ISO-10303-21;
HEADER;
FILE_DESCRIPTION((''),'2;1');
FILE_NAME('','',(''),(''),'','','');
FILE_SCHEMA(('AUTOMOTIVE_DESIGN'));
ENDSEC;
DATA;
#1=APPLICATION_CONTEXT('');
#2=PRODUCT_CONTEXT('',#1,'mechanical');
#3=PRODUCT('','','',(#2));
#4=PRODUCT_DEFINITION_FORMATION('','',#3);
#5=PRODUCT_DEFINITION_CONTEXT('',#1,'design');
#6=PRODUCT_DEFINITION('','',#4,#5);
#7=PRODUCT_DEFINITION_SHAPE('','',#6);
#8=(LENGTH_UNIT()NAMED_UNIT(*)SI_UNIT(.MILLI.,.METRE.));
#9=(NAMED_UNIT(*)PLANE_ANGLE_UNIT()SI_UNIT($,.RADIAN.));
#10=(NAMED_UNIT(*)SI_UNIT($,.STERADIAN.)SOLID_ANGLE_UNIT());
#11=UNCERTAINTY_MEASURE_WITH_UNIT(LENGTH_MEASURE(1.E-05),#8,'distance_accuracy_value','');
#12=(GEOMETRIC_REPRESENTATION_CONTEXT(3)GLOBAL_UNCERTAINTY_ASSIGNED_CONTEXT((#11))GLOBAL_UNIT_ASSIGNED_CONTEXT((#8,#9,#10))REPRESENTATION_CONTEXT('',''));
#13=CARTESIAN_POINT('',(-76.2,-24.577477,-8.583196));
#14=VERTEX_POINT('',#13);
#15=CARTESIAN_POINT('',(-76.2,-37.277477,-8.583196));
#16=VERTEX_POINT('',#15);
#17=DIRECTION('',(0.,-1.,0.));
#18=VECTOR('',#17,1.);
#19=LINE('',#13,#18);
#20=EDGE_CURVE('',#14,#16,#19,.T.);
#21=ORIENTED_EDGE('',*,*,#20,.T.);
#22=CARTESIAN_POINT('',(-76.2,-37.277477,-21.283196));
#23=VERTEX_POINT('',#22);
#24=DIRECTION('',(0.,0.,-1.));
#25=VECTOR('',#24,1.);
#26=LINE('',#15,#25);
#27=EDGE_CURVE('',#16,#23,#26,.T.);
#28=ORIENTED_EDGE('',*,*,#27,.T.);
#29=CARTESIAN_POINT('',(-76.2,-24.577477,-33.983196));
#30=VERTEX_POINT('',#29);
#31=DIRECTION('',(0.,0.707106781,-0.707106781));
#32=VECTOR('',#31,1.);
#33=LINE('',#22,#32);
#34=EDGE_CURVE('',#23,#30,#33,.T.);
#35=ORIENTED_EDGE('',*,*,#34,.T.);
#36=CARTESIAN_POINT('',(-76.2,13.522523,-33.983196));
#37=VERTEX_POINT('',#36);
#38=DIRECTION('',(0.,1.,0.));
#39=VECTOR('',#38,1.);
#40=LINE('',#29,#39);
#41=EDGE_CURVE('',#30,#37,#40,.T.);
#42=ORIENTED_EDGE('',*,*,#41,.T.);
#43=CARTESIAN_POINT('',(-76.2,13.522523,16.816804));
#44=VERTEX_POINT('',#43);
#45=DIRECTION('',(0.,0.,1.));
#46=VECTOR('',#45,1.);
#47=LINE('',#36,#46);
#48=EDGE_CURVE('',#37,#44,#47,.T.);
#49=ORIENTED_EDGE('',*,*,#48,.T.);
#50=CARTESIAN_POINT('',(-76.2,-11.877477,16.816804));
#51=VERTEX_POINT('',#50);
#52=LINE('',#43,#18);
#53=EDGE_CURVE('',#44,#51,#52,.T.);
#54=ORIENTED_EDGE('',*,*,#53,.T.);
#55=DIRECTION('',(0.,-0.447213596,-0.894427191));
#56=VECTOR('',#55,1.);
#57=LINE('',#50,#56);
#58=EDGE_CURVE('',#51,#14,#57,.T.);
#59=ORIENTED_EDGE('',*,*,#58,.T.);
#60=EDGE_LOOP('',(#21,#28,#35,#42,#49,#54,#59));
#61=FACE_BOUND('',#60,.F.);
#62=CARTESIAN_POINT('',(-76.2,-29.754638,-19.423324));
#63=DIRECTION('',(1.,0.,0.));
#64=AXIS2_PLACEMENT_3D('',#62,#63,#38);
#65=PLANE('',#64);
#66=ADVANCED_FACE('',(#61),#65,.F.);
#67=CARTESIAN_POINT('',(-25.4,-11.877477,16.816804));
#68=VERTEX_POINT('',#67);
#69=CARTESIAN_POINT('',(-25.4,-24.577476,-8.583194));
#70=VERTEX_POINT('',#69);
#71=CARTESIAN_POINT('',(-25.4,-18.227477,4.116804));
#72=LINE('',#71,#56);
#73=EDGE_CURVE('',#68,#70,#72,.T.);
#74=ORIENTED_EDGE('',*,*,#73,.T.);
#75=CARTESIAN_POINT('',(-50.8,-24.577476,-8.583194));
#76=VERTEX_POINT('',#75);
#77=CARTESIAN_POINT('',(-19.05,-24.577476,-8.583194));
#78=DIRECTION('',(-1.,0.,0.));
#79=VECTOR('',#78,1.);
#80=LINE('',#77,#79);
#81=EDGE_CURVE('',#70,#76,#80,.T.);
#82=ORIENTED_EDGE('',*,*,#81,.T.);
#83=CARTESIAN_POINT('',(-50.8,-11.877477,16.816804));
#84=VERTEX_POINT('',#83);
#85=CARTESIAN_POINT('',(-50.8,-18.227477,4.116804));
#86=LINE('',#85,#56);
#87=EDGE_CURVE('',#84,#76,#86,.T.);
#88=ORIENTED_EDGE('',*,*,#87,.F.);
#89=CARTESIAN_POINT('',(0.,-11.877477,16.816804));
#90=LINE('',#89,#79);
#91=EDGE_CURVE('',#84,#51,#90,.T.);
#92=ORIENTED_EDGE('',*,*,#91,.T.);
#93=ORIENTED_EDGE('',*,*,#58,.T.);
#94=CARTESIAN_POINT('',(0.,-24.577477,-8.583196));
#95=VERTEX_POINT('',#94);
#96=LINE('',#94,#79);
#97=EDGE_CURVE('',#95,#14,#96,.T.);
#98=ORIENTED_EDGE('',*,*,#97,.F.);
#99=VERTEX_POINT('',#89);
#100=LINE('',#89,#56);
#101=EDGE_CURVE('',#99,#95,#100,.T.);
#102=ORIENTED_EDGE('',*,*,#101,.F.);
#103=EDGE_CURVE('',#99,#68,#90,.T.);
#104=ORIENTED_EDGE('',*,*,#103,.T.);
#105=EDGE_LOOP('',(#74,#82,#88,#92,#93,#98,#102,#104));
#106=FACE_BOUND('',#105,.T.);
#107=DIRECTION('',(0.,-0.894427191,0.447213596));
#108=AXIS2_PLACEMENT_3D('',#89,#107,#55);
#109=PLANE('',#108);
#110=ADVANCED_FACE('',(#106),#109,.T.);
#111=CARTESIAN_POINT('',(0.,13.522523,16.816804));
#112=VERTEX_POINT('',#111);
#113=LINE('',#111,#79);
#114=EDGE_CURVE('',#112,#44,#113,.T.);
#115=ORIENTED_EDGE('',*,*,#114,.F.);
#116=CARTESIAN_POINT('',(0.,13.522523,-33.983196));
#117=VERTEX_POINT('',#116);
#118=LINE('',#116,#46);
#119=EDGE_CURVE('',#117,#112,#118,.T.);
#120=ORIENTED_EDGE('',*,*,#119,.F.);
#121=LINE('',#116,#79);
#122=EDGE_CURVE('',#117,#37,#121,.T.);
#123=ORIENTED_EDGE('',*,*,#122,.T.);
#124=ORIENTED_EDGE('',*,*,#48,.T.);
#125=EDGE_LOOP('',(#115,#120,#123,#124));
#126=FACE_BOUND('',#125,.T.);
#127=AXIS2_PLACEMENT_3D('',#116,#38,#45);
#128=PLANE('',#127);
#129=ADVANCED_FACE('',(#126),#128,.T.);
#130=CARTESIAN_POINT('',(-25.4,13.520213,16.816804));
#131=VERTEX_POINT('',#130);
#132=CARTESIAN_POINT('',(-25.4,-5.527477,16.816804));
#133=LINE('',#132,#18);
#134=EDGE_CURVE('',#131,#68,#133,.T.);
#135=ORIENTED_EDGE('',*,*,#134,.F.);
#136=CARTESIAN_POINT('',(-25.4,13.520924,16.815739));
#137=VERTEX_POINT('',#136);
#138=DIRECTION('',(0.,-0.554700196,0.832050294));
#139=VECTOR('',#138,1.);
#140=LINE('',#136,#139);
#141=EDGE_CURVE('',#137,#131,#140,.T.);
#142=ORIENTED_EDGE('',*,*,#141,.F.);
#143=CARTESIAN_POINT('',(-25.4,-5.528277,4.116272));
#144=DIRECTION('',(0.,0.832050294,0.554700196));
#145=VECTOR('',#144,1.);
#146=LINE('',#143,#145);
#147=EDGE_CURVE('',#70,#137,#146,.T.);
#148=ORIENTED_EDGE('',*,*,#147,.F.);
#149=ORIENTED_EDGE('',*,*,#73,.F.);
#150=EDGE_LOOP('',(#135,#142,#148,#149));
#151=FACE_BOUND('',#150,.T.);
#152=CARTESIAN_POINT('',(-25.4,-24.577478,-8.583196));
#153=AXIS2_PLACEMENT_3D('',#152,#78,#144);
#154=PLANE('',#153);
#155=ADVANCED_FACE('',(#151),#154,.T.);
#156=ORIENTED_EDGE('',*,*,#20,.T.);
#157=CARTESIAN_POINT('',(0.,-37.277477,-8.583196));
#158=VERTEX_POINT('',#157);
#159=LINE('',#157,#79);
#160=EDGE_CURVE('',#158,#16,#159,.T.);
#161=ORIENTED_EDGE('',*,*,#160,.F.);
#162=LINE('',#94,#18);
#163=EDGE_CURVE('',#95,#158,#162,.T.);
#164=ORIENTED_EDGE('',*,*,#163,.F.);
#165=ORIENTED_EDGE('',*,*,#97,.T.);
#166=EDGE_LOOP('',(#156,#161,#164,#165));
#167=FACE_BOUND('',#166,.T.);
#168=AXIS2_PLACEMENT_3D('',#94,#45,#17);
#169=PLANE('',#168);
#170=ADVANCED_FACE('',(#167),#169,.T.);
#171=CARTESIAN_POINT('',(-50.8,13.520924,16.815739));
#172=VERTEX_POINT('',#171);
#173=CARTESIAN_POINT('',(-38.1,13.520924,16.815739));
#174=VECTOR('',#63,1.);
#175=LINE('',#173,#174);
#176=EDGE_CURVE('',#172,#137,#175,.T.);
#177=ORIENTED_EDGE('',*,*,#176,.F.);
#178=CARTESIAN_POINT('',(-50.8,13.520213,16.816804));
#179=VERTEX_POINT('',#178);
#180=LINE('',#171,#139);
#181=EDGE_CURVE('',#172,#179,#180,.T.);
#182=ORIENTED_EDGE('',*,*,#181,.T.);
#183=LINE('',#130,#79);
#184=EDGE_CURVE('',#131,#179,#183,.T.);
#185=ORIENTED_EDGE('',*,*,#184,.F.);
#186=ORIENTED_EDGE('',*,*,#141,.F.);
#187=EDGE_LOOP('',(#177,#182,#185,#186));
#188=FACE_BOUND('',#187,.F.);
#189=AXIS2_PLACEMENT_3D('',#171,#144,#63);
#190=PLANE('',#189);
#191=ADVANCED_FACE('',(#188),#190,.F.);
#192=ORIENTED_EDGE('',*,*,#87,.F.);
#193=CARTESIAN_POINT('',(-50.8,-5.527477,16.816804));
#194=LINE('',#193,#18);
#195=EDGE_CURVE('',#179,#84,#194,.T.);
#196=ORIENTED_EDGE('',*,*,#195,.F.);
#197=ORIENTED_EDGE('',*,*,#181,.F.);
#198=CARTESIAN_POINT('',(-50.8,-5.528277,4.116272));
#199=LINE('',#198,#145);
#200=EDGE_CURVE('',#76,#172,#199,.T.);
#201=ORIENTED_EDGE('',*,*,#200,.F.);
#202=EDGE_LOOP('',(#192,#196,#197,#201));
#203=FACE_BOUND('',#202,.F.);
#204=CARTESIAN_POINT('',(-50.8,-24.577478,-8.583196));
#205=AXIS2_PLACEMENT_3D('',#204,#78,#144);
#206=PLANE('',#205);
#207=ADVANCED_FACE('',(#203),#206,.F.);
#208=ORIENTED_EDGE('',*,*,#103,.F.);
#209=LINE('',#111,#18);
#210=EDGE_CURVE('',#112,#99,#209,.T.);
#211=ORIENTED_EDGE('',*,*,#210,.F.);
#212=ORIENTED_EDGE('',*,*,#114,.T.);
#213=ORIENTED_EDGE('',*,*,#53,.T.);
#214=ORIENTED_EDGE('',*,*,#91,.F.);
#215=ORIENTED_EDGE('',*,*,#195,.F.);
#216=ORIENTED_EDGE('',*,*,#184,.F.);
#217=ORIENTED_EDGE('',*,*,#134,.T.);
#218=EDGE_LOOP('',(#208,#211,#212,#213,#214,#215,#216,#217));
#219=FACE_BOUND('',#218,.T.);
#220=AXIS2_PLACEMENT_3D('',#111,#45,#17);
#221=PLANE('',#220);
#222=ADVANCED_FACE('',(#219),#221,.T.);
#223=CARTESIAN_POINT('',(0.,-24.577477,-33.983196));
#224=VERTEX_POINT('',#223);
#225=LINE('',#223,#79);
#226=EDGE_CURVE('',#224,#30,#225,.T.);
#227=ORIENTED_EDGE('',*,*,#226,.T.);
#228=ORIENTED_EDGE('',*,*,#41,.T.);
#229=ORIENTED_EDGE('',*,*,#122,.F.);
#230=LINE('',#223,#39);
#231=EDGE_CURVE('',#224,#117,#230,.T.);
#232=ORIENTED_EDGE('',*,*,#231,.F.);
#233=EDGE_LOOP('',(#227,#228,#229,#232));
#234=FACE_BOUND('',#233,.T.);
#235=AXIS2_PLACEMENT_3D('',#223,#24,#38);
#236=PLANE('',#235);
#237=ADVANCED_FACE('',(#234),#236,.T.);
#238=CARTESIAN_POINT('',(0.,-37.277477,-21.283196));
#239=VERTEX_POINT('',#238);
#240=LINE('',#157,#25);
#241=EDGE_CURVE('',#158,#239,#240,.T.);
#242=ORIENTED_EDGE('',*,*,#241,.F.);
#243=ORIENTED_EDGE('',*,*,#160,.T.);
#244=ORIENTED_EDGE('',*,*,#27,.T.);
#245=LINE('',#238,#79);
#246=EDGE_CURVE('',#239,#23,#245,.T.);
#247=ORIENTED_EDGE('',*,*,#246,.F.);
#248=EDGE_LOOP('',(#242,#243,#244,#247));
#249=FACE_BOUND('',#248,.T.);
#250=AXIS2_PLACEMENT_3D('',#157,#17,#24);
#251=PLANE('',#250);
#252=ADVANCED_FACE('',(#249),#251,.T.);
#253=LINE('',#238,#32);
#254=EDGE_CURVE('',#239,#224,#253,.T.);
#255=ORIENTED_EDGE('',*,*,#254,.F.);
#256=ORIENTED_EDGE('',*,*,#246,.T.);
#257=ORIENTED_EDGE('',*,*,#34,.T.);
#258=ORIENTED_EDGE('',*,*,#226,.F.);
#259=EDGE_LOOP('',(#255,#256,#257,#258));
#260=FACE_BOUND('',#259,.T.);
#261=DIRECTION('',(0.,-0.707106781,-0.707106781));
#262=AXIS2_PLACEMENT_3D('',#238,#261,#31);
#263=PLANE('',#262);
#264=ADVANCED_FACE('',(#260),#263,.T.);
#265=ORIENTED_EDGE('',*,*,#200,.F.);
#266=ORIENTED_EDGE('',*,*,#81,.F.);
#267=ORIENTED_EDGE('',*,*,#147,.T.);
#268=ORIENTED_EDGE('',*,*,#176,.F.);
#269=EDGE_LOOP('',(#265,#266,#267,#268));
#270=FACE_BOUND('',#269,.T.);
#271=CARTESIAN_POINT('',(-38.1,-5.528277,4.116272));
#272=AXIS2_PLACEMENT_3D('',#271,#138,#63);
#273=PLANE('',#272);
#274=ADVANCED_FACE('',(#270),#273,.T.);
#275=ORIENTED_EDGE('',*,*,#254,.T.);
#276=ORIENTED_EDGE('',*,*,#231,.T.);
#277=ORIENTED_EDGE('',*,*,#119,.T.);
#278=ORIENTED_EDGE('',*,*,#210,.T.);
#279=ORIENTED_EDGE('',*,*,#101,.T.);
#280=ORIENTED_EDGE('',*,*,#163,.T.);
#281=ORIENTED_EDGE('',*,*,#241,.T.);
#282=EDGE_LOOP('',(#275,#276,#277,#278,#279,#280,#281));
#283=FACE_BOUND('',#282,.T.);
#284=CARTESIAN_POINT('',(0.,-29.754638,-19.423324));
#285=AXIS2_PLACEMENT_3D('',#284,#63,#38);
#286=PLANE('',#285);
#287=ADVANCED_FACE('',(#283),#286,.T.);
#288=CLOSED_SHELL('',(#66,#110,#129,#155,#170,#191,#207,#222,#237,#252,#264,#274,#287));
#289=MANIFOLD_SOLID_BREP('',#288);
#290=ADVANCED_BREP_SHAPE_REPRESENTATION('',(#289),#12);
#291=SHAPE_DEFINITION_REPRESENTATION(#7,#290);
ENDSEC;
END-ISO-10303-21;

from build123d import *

# Parameters (mm, degrees)
F1_DEPTH = 76.2
F3_DEPTH = 76.2
F5_W     = 25.4
F5_H     = 45.78858
F6_DEPTH = 25.4


with BuildPart() as f1:
    # F0 (on Right) → F1 (new body)
    with BuildSketch(Plane.YZ):
        Polygon((13.522523, 16.816804), (-11.877477, 16.816804), (-24.577477, -8.583196), (-24.577477, -33.983196), (13.522523, -33.983196), align=None)
    extrude(amount=-F1_DEPTH)

    # F2 (on face) → F3 (join)
    with BuildSketch(Plane.YZ):
        Polygon((-24.577477, -33.983196), (-24.577477, -8.583196), (-37.277477, -8.583196), (-37.277477, -21.283196), align=None)
    extrude(amount=-F3_DEPTH)

    # F5 (on face) → F6 (cut)
    with BuildSketch(Plane(origin=(0, -3.600826, 5.401239), x_dir=(1, 0, 0), z_dir=(0, -0.5547, 0.83205))):
        with Locations((-38.1, -2.316508)):
            Rectangle(F5_W, F5_H)
    extrude(amount=F6_DEPTH, mode=Mode.SUBTRACT)


solid = f1.part
